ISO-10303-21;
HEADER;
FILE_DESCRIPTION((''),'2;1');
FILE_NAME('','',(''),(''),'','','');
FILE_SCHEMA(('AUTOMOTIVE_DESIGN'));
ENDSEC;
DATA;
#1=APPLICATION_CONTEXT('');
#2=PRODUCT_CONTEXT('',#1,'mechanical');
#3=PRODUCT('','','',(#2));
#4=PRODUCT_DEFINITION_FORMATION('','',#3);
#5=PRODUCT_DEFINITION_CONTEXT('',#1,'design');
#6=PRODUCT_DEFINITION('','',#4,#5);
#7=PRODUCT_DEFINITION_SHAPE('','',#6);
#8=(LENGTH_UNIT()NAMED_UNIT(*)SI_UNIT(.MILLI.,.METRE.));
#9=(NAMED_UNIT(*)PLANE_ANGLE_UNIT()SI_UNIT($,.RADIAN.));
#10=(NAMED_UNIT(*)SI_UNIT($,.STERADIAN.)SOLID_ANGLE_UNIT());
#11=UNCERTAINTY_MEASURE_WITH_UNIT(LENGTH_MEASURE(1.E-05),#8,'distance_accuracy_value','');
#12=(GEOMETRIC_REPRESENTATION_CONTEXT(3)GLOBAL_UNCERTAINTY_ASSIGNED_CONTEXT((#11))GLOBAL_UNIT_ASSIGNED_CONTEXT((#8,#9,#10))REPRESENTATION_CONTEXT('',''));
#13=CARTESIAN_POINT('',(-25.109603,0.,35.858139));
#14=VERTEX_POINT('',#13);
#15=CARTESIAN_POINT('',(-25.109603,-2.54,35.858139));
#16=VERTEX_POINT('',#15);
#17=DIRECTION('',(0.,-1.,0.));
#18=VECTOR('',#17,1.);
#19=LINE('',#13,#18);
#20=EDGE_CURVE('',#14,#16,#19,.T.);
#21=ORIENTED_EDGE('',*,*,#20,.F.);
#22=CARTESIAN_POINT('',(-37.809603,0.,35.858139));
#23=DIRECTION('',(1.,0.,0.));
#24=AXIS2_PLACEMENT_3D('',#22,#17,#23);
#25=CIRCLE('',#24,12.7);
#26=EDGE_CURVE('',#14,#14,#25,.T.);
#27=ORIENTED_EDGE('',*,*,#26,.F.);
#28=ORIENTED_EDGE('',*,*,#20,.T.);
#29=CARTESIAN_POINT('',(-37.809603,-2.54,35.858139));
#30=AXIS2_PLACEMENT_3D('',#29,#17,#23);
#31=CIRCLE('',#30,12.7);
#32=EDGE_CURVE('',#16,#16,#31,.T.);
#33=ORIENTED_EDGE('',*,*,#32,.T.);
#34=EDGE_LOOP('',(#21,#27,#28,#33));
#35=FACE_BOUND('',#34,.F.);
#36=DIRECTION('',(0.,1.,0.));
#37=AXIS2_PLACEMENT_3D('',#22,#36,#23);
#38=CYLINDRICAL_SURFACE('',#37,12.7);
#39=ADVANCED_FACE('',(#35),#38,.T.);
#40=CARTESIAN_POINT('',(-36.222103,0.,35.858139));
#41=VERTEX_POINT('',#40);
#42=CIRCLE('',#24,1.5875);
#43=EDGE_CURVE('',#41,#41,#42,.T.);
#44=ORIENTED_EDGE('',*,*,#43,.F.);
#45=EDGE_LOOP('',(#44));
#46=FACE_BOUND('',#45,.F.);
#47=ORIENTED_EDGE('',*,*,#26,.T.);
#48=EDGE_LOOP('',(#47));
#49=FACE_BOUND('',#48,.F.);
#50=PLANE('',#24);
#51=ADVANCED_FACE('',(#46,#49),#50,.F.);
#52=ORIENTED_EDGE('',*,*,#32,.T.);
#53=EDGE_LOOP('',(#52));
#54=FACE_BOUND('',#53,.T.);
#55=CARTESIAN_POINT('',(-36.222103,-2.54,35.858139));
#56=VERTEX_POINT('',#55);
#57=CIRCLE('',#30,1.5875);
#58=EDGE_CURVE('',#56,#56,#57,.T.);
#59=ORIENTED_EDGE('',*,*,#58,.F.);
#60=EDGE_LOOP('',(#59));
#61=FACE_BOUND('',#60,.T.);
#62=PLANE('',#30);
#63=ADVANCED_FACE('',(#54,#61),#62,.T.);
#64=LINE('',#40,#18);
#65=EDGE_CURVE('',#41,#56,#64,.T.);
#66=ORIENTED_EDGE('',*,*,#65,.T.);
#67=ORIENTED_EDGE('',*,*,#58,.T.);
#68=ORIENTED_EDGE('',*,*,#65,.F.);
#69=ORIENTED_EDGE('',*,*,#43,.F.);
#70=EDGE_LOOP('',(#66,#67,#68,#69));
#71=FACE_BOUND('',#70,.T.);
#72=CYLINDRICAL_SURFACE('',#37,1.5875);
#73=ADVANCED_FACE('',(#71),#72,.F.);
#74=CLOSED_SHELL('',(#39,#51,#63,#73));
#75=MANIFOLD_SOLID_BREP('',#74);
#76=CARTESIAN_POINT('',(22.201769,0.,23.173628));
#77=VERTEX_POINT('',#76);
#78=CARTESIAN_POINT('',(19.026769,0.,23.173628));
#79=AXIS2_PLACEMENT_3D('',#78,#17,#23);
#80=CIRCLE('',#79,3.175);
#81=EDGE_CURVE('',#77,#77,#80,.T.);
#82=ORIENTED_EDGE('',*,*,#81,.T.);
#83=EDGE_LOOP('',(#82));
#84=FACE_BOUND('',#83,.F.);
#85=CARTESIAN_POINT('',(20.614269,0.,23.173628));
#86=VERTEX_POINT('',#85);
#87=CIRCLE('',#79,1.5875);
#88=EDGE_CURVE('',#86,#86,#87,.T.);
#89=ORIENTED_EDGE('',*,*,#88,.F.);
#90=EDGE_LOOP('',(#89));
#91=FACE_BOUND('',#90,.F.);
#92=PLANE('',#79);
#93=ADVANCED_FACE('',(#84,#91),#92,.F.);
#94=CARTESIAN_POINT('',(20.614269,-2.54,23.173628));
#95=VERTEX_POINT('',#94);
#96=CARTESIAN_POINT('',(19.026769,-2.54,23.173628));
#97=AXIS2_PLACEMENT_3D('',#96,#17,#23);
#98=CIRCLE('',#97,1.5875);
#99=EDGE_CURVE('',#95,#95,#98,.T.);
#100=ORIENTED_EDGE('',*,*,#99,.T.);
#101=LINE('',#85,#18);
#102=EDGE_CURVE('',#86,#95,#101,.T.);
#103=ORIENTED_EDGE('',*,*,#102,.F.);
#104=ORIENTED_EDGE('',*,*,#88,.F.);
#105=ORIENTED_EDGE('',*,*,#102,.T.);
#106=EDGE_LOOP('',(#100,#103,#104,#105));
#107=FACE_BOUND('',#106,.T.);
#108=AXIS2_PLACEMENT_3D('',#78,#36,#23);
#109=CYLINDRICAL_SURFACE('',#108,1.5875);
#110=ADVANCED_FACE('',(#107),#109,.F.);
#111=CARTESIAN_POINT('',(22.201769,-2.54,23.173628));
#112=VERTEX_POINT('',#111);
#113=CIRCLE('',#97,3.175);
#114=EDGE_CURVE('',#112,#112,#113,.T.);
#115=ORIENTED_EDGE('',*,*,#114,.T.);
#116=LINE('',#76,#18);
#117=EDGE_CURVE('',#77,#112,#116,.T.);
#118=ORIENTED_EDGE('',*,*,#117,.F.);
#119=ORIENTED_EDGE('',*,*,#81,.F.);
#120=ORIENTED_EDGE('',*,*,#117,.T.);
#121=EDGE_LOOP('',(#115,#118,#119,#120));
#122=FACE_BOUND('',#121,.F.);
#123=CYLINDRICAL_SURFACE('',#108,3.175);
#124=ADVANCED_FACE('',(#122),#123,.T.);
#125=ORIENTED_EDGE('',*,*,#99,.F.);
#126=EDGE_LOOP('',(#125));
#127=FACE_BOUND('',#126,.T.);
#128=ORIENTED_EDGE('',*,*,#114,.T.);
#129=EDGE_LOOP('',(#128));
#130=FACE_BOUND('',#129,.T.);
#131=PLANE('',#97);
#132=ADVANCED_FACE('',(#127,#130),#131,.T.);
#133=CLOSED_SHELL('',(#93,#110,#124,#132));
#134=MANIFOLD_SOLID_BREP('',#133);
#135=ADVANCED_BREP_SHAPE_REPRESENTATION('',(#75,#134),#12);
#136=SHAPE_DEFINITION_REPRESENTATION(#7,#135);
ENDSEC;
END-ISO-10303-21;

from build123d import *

# Parameters (mm, degrees)
F0_R     = 12.7
F0_R_2   = 1.5875
F0_R_3   = 3.175
F1_DEPTH = 2.54


with BuildPart() as f1:
    # F0 (on Front) → F1 (new body)
    with BuildSketch(Plane.XZ):
        with Locations((-37.809603, 35.858139)):
            Circle(F0_R)
        with Locations((-37.809603, 35.858139)):
            Circle(F0_R_2, mode=Mode.SUBTRACT)
        with Locations((19.026769, 23.173628)):
            Circle(F0_R_3)
        with Locations((19.026769, 23.173628)):
            Circle(F0_R_2, mode=Mode.SUBTRACT)
    extrude(amount=F1_DEPTH)


solid = f1.part
